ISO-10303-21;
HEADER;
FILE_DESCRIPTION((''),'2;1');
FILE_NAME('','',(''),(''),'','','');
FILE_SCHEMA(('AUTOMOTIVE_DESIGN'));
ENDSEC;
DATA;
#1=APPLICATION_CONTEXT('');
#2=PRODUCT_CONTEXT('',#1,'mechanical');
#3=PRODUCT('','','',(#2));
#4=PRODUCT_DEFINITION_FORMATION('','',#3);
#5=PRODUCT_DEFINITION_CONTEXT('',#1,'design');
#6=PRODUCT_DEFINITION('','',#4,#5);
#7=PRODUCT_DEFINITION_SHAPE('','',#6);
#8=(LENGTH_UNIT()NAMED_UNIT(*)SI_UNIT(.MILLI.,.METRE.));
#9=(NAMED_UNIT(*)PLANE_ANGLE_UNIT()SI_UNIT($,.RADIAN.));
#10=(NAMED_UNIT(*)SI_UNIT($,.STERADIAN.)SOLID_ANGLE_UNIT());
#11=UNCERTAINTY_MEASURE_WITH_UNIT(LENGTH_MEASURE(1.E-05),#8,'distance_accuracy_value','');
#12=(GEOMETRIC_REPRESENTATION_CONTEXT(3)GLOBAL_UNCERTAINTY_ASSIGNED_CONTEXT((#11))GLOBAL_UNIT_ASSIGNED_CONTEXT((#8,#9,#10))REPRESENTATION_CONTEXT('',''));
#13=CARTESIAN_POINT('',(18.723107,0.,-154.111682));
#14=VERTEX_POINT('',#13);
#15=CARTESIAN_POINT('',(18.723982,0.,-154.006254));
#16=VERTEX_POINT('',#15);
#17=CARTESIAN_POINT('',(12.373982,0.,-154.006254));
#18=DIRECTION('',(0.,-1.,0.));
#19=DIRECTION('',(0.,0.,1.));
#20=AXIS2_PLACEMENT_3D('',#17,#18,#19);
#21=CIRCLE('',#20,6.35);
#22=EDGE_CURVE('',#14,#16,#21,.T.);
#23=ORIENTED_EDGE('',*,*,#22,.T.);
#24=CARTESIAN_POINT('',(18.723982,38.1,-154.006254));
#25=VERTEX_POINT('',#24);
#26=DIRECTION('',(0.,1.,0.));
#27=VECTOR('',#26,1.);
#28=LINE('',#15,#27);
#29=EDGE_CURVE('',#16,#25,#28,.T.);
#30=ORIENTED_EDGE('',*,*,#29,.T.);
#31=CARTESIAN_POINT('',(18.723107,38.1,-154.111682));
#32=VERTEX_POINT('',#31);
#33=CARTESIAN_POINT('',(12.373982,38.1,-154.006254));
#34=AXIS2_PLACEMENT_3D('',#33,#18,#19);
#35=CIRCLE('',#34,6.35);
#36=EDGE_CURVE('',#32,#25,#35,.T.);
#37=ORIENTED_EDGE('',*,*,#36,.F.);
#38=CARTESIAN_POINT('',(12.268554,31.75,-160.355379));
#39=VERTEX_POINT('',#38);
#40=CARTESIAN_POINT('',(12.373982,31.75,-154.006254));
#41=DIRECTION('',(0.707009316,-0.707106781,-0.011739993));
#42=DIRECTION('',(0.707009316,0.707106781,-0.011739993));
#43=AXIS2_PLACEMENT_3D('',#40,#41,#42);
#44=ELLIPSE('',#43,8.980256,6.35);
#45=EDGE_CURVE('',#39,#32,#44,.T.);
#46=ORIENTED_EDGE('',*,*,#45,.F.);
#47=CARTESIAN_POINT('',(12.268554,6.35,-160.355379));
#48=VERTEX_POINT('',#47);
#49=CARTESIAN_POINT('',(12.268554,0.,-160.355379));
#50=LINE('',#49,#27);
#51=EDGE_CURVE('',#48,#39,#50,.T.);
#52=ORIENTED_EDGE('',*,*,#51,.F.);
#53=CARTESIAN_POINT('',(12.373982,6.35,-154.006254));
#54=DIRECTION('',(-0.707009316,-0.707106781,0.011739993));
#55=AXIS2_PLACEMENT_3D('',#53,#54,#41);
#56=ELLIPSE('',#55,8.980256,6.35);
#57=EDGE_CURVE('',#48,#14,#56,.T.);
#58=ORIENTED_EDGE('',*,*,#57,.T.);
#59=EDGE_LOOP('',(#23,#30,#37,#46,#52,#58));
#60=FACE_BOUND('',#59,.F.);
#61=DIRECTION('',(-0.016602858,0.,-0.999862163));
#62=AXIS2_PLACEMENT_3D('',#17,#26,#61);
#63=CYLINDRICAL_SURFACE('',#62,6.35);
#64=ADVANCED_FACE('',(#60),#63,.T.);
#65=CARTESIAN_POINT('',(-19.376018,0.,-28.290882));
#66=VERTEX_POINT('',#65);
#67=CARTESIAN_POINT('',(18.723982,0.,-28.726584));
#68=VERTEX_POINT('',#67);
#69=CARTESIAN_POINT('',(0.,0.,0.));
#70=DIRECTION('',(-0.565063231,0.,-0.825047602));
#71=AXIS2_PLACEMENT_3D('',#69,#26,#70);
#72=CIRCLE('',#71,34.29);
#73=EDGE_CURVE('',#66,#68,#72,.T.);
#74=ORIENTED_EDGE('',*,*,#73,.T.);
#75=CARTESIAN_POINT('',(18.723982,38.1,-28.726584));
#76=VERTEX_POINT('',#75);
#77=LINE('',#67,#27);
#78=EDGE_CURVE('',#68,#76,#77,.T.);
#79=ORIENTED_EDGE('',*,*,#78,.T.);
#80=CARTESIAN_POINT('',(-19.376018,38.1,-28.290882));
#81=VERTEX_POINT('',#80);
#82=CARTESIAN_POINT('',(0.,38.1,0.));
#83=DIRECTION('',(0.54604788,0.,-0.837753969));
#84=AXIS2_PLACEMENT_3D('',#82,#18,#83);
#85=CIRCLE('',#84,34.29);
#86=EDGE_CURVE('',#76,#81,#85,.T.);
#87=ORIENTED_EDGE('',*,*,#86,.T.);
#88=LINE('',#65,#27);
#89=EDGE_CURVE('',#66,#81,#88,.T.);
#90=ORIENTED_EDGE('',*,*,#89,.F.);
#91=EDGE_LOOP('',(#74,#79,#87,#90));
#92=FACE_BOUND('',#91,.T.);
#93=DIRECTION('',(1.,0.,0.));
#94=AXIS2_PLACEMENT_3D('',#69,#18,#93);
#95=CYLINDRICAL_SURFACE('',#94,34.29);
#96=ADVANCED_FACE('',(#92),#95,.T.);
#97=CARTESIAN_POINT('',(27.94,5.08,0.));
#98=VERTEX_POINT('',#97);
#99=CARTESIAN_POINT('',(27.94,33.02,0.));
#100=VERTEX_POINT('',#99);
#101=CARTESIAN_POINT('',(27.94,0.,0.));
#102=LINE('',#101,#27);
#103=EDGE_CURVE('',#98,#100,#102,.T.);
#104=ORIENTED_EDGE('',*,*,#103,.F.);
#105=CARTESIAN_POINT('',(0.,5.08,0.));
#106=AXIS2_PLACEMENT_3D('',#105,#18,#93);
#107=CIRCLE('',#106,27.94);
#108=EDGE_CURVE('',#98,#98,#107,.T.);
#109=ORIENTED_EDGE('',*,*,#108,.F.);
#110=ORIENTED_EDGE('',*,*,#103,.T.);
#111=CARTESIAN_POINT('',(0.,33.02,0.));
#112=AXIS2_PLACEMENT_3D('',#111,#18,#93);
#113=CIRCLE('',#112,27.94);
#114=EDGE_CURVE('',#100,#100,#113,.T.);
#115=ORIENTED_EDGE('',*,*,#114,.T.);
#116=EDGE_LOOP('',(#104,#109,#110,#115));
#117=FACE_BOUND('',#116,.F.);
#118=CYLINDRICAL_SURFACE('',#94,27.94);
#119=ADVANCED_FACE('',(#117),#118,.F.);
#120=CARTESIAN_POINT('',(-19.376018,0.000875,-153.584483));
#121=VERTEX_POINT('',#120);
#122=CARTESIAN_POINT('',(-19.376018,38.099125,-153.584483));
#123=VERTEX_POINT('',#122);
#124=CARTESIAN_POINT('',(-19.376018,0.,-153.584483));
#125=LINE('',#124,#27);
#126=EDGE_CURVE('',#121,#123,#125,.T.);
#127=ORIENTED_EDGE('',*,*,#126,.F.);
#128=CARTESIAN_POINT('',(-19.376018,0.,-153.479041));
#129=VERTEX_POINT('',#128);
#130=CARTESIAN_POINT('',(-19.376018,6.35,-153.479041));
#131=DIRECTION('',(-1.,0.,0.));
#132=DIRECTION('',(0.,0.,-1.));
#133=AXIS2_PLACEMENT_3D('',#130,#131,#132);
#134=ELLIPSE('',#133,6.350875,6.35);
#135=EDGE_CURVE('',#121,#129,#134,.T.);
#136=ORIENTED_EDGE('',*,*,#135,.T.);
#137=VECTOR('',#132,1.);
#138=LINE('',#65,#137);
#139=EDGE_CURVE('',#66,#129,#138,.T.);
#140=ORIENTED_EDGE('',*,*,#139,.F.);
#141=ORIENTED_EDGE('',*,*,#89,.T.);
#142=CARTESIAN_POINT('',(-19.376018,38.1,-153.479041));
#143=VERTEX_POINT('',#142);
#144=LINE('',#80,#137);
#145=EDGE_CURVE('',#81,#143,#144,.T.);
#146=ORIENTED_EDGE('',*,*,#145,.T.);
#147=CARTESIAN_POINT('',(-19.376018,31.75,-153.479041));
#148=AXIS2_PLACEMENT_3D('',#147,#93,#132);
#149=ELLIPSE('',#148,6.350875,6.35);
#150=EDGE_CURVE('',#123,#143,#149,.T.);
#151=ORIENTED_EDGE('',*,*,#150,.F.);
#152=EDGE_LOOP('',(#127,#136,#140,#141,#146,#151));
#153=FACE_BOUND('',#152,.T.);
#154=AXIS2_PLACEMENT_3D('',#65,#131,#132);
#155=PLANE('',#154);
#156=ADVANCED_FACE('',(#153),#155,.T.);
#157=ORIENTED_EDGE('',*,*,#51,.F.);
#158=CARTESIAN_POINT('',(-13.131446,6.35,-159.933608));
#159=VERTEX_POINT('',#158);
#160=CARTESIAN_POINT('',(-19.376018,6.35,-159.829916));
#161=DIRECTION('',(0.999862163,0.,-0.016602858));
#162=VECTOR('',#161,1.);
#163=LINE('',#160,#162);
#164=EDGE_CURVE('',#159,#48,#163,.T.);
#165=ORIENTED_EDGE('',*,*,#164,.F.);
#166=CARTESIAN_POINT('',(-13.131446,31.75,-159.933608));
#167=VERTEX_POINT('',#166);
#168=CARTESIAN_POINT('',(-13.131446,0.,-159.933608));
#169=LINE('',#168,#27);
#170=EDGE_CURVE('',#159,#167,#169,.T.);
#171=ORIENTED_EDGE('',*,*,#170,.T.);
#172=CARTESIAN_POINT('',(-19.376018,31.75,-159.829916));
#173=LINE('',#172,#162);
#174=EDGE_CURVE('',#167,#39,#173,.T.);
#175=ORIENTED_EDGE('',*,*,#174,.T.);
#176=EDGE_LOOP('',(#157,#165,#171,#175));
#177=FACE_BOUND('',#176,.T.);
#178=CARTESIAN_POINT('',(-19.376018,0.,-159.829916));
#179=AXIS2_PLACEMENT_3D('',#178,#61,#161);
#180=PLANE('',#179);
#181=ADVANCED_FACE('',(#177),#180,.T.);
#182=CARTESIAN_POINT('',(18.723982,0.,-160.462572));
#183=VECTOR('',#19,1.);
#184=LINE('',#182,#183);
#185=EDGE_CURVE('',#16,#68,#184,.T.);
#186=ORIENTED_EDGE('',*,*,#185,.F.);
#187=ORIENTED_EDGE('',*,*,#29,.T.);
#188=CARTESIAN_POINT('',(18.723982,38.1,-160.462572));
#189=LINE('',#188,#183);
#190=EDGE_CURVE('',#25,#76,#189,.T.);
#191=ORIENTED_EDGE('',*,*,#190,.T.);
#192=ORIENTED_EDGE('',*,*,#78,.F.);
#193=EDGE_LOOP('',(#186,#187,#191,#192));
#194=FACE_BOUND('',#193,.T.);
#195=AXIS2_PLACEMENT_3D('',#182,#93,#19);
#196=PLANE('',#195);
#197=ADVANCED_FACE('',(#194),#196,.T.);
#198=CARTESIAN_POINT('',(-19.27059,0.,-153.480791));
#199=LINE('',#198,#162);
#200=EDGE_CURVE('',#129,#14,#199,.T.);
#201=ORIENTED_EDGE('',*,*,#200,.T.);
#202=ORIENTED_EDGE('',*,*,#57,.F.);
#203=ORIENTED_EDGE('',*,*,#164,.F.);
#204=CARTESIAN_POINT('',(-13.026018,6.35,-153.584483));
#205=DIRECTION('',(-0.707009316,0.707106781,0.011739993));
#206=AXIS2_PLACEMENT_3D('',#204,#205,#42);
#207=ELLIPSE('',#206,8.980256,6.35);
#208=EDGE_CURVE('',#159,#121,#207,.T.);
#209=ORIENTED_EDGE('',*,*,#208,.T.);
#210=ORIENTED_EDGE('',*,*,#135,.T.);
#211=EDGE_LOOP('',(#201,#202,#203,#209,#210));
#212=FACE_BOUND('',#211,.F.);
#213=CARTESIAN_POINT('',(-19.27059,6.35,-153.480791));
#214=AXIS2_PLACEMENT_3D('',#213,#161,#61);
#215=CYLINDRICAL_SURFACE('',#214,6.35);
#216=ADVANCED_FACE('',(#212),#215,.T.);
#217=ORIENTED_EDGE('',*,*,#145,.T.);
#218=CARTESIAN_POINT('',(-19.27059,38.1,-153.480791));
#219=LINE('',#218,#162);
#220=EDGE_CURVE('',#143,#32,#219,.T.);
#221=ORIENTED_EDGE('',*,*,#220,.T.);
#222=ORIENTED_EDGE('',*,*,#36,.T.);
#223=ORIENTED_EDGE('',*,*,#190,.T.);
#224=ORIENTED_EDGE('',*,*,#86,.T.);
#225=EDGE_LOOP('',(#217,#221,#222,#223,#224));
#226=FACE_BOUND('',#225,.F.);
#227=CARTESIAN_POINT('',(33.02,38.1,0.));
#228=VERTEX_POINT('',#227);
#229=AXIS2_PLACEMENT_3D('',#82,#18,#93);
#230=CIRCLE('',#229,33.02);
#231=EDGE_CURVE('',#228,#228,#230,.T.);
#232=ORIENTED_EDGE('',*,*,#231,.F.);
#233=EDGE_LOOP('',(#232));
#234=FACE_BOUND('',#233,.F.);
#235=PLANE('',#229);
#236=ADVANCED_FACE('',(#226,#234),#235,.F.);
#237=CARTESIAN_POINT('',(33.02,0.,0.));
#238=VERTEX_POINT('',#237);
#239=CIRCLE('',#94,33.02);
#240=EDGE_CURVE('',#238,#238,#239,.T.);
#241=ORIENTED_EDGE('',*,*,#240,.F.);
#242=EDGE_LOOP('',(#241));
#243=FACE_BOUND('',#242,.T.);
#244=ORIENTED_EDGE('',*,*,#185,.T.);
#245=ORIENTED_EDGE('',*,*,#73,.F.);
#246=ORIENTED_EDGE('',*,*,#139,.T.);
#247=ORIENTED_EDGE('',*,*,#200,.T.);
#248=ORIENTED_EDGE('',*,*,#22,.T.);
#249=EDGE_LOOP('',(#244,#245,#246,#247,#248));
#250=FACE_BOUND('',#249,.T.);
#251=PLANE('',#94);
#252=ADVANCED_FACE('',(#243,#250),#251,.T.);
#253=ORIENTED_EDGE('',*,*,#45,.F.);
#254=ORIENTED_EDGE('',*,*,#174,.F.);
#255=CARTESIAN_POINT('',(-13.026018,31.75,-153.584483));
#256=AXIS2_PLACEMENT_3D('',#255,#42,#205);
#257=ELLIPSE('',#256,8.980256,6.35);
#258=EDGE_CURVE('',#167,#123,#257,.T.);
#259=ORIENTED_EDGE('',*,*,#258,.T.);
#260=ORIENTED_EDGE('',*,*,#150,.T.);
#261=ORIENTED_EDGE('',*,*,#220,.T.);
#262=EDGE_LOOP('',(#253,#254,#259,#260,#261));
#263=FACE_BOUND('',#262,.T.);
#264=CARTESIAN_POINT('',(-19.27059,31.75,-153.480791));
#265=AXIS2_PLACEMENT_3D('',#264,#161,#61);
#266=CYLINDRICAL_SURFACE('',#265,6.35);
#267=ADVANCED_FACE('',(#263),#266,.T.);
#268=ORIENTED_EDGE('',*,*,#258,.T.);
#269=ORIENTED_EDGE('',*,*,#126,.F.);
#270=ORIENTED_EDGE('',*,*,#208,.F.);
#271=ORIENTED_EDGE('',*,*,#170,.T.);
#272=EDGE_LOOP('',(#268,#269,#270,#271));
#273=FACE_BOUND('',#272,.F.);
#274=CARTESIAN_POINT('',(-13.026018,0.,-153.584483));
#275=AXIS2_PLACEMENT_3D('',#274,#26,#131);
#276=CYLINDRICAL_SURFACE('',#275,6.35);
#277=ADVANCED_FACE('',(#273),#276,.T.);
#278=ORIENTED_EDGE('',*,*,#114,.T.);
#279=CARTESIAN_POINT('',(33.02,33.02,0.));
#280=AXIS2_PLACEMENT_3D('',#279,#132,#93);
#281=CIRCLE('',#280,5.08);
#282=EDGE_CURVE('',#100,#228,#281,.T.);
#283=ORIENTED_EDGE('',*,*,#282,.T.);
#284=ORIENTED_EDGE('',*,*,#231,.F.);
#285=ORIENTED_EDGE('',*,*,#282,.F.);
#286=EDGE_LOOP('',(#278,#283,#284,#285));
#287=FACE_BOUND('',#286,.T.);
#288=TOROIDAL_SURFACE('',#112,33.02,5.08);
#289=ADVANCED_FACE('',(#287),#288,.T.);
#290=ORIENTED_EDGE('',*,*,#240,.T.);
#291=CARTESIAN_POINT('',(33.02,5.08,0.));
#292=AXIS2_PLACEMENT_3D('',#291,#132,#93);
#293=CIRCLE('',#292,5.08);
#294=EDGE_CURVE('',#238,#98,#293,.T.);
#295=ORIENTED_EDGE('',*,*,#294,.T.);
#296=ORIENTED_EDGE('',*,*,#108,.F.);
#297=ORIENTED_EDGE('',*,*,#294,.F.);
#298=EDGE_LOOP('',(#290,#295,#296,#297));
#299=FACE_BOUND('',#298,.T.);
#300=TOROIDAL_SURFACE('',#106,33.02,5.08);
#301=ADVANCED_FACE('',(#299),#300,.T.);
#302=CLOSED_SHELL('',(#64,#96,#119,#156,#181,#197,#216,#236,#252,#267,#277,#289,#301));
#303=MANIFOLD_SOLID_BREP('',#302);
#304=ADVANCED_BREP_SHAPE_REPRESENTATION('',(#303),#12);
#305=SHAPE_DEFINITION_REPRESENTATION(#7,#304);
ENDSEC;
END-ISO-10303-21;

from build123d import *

# Parameters (mm, degrees)
F0_R     = 34.29
F0_R_2   = 27.94
F1_DEPTH = 38.1
F3_DEPTH = 38.1
F4_R     = 6.35
F5_R     = 5.08
F6_R     = 5.08


with BuildPart() as f1:
    # F0 (on Front) → F1 (new body)
    with BuildSketch(Plane.XZ):
        Circle(F0_R)
        Circle(F0_R_2, mode=Mode.SUBTRACT)
    extrude(amount=-F1_DEPTH)

    # F2 (on face) → F3 (join)
    with BuildSketch(Plane.XZ):
        with BuildLine():
            ThreePointArc((18.723981822, -28.7265835896), (-0.3921055503, -34.2877580667), (-19.376018178, -28.2908822691))
            Line((-19.376018178, -28.2908822691), (-19.376018178, -159.8299160348))
            Line((-19.376018178, -159.8299160348), (18.723981822, -160.462572118))
            Line((18.723981822, -160.462572118), (18.723981822, -28.7265835896))
        make_face()
    extrude(amount=-F3_DEPTH)

    # F4
    f4_edges = [f1.edges().sort_by_distance(p)[0] for p in [
        (-0.326018, 0, -160.146244),
        (-0.326018, 38.1, -160.146244),
        (18.723982, 19.05, -160.462572),
        (-19.376018, 19.05, -159.829916),
    ]]
    fillet(f4_edges, radius=F4_R)

    # F5
    f5_edges = [f1.edges().sort_by_distance(p)[0] for p in [
        (-27.94, 0, 0),
    ]]
    fillet(f5_edges, radius=F5_R)

    # F6
    f6_edges = [f1.edges().sort_by_distance(p)[0] for p in [
        (-27.94, 38.1, 0),
    ]]
    fillet(f6_edges, radius=F6_R)


solid = f1.part
